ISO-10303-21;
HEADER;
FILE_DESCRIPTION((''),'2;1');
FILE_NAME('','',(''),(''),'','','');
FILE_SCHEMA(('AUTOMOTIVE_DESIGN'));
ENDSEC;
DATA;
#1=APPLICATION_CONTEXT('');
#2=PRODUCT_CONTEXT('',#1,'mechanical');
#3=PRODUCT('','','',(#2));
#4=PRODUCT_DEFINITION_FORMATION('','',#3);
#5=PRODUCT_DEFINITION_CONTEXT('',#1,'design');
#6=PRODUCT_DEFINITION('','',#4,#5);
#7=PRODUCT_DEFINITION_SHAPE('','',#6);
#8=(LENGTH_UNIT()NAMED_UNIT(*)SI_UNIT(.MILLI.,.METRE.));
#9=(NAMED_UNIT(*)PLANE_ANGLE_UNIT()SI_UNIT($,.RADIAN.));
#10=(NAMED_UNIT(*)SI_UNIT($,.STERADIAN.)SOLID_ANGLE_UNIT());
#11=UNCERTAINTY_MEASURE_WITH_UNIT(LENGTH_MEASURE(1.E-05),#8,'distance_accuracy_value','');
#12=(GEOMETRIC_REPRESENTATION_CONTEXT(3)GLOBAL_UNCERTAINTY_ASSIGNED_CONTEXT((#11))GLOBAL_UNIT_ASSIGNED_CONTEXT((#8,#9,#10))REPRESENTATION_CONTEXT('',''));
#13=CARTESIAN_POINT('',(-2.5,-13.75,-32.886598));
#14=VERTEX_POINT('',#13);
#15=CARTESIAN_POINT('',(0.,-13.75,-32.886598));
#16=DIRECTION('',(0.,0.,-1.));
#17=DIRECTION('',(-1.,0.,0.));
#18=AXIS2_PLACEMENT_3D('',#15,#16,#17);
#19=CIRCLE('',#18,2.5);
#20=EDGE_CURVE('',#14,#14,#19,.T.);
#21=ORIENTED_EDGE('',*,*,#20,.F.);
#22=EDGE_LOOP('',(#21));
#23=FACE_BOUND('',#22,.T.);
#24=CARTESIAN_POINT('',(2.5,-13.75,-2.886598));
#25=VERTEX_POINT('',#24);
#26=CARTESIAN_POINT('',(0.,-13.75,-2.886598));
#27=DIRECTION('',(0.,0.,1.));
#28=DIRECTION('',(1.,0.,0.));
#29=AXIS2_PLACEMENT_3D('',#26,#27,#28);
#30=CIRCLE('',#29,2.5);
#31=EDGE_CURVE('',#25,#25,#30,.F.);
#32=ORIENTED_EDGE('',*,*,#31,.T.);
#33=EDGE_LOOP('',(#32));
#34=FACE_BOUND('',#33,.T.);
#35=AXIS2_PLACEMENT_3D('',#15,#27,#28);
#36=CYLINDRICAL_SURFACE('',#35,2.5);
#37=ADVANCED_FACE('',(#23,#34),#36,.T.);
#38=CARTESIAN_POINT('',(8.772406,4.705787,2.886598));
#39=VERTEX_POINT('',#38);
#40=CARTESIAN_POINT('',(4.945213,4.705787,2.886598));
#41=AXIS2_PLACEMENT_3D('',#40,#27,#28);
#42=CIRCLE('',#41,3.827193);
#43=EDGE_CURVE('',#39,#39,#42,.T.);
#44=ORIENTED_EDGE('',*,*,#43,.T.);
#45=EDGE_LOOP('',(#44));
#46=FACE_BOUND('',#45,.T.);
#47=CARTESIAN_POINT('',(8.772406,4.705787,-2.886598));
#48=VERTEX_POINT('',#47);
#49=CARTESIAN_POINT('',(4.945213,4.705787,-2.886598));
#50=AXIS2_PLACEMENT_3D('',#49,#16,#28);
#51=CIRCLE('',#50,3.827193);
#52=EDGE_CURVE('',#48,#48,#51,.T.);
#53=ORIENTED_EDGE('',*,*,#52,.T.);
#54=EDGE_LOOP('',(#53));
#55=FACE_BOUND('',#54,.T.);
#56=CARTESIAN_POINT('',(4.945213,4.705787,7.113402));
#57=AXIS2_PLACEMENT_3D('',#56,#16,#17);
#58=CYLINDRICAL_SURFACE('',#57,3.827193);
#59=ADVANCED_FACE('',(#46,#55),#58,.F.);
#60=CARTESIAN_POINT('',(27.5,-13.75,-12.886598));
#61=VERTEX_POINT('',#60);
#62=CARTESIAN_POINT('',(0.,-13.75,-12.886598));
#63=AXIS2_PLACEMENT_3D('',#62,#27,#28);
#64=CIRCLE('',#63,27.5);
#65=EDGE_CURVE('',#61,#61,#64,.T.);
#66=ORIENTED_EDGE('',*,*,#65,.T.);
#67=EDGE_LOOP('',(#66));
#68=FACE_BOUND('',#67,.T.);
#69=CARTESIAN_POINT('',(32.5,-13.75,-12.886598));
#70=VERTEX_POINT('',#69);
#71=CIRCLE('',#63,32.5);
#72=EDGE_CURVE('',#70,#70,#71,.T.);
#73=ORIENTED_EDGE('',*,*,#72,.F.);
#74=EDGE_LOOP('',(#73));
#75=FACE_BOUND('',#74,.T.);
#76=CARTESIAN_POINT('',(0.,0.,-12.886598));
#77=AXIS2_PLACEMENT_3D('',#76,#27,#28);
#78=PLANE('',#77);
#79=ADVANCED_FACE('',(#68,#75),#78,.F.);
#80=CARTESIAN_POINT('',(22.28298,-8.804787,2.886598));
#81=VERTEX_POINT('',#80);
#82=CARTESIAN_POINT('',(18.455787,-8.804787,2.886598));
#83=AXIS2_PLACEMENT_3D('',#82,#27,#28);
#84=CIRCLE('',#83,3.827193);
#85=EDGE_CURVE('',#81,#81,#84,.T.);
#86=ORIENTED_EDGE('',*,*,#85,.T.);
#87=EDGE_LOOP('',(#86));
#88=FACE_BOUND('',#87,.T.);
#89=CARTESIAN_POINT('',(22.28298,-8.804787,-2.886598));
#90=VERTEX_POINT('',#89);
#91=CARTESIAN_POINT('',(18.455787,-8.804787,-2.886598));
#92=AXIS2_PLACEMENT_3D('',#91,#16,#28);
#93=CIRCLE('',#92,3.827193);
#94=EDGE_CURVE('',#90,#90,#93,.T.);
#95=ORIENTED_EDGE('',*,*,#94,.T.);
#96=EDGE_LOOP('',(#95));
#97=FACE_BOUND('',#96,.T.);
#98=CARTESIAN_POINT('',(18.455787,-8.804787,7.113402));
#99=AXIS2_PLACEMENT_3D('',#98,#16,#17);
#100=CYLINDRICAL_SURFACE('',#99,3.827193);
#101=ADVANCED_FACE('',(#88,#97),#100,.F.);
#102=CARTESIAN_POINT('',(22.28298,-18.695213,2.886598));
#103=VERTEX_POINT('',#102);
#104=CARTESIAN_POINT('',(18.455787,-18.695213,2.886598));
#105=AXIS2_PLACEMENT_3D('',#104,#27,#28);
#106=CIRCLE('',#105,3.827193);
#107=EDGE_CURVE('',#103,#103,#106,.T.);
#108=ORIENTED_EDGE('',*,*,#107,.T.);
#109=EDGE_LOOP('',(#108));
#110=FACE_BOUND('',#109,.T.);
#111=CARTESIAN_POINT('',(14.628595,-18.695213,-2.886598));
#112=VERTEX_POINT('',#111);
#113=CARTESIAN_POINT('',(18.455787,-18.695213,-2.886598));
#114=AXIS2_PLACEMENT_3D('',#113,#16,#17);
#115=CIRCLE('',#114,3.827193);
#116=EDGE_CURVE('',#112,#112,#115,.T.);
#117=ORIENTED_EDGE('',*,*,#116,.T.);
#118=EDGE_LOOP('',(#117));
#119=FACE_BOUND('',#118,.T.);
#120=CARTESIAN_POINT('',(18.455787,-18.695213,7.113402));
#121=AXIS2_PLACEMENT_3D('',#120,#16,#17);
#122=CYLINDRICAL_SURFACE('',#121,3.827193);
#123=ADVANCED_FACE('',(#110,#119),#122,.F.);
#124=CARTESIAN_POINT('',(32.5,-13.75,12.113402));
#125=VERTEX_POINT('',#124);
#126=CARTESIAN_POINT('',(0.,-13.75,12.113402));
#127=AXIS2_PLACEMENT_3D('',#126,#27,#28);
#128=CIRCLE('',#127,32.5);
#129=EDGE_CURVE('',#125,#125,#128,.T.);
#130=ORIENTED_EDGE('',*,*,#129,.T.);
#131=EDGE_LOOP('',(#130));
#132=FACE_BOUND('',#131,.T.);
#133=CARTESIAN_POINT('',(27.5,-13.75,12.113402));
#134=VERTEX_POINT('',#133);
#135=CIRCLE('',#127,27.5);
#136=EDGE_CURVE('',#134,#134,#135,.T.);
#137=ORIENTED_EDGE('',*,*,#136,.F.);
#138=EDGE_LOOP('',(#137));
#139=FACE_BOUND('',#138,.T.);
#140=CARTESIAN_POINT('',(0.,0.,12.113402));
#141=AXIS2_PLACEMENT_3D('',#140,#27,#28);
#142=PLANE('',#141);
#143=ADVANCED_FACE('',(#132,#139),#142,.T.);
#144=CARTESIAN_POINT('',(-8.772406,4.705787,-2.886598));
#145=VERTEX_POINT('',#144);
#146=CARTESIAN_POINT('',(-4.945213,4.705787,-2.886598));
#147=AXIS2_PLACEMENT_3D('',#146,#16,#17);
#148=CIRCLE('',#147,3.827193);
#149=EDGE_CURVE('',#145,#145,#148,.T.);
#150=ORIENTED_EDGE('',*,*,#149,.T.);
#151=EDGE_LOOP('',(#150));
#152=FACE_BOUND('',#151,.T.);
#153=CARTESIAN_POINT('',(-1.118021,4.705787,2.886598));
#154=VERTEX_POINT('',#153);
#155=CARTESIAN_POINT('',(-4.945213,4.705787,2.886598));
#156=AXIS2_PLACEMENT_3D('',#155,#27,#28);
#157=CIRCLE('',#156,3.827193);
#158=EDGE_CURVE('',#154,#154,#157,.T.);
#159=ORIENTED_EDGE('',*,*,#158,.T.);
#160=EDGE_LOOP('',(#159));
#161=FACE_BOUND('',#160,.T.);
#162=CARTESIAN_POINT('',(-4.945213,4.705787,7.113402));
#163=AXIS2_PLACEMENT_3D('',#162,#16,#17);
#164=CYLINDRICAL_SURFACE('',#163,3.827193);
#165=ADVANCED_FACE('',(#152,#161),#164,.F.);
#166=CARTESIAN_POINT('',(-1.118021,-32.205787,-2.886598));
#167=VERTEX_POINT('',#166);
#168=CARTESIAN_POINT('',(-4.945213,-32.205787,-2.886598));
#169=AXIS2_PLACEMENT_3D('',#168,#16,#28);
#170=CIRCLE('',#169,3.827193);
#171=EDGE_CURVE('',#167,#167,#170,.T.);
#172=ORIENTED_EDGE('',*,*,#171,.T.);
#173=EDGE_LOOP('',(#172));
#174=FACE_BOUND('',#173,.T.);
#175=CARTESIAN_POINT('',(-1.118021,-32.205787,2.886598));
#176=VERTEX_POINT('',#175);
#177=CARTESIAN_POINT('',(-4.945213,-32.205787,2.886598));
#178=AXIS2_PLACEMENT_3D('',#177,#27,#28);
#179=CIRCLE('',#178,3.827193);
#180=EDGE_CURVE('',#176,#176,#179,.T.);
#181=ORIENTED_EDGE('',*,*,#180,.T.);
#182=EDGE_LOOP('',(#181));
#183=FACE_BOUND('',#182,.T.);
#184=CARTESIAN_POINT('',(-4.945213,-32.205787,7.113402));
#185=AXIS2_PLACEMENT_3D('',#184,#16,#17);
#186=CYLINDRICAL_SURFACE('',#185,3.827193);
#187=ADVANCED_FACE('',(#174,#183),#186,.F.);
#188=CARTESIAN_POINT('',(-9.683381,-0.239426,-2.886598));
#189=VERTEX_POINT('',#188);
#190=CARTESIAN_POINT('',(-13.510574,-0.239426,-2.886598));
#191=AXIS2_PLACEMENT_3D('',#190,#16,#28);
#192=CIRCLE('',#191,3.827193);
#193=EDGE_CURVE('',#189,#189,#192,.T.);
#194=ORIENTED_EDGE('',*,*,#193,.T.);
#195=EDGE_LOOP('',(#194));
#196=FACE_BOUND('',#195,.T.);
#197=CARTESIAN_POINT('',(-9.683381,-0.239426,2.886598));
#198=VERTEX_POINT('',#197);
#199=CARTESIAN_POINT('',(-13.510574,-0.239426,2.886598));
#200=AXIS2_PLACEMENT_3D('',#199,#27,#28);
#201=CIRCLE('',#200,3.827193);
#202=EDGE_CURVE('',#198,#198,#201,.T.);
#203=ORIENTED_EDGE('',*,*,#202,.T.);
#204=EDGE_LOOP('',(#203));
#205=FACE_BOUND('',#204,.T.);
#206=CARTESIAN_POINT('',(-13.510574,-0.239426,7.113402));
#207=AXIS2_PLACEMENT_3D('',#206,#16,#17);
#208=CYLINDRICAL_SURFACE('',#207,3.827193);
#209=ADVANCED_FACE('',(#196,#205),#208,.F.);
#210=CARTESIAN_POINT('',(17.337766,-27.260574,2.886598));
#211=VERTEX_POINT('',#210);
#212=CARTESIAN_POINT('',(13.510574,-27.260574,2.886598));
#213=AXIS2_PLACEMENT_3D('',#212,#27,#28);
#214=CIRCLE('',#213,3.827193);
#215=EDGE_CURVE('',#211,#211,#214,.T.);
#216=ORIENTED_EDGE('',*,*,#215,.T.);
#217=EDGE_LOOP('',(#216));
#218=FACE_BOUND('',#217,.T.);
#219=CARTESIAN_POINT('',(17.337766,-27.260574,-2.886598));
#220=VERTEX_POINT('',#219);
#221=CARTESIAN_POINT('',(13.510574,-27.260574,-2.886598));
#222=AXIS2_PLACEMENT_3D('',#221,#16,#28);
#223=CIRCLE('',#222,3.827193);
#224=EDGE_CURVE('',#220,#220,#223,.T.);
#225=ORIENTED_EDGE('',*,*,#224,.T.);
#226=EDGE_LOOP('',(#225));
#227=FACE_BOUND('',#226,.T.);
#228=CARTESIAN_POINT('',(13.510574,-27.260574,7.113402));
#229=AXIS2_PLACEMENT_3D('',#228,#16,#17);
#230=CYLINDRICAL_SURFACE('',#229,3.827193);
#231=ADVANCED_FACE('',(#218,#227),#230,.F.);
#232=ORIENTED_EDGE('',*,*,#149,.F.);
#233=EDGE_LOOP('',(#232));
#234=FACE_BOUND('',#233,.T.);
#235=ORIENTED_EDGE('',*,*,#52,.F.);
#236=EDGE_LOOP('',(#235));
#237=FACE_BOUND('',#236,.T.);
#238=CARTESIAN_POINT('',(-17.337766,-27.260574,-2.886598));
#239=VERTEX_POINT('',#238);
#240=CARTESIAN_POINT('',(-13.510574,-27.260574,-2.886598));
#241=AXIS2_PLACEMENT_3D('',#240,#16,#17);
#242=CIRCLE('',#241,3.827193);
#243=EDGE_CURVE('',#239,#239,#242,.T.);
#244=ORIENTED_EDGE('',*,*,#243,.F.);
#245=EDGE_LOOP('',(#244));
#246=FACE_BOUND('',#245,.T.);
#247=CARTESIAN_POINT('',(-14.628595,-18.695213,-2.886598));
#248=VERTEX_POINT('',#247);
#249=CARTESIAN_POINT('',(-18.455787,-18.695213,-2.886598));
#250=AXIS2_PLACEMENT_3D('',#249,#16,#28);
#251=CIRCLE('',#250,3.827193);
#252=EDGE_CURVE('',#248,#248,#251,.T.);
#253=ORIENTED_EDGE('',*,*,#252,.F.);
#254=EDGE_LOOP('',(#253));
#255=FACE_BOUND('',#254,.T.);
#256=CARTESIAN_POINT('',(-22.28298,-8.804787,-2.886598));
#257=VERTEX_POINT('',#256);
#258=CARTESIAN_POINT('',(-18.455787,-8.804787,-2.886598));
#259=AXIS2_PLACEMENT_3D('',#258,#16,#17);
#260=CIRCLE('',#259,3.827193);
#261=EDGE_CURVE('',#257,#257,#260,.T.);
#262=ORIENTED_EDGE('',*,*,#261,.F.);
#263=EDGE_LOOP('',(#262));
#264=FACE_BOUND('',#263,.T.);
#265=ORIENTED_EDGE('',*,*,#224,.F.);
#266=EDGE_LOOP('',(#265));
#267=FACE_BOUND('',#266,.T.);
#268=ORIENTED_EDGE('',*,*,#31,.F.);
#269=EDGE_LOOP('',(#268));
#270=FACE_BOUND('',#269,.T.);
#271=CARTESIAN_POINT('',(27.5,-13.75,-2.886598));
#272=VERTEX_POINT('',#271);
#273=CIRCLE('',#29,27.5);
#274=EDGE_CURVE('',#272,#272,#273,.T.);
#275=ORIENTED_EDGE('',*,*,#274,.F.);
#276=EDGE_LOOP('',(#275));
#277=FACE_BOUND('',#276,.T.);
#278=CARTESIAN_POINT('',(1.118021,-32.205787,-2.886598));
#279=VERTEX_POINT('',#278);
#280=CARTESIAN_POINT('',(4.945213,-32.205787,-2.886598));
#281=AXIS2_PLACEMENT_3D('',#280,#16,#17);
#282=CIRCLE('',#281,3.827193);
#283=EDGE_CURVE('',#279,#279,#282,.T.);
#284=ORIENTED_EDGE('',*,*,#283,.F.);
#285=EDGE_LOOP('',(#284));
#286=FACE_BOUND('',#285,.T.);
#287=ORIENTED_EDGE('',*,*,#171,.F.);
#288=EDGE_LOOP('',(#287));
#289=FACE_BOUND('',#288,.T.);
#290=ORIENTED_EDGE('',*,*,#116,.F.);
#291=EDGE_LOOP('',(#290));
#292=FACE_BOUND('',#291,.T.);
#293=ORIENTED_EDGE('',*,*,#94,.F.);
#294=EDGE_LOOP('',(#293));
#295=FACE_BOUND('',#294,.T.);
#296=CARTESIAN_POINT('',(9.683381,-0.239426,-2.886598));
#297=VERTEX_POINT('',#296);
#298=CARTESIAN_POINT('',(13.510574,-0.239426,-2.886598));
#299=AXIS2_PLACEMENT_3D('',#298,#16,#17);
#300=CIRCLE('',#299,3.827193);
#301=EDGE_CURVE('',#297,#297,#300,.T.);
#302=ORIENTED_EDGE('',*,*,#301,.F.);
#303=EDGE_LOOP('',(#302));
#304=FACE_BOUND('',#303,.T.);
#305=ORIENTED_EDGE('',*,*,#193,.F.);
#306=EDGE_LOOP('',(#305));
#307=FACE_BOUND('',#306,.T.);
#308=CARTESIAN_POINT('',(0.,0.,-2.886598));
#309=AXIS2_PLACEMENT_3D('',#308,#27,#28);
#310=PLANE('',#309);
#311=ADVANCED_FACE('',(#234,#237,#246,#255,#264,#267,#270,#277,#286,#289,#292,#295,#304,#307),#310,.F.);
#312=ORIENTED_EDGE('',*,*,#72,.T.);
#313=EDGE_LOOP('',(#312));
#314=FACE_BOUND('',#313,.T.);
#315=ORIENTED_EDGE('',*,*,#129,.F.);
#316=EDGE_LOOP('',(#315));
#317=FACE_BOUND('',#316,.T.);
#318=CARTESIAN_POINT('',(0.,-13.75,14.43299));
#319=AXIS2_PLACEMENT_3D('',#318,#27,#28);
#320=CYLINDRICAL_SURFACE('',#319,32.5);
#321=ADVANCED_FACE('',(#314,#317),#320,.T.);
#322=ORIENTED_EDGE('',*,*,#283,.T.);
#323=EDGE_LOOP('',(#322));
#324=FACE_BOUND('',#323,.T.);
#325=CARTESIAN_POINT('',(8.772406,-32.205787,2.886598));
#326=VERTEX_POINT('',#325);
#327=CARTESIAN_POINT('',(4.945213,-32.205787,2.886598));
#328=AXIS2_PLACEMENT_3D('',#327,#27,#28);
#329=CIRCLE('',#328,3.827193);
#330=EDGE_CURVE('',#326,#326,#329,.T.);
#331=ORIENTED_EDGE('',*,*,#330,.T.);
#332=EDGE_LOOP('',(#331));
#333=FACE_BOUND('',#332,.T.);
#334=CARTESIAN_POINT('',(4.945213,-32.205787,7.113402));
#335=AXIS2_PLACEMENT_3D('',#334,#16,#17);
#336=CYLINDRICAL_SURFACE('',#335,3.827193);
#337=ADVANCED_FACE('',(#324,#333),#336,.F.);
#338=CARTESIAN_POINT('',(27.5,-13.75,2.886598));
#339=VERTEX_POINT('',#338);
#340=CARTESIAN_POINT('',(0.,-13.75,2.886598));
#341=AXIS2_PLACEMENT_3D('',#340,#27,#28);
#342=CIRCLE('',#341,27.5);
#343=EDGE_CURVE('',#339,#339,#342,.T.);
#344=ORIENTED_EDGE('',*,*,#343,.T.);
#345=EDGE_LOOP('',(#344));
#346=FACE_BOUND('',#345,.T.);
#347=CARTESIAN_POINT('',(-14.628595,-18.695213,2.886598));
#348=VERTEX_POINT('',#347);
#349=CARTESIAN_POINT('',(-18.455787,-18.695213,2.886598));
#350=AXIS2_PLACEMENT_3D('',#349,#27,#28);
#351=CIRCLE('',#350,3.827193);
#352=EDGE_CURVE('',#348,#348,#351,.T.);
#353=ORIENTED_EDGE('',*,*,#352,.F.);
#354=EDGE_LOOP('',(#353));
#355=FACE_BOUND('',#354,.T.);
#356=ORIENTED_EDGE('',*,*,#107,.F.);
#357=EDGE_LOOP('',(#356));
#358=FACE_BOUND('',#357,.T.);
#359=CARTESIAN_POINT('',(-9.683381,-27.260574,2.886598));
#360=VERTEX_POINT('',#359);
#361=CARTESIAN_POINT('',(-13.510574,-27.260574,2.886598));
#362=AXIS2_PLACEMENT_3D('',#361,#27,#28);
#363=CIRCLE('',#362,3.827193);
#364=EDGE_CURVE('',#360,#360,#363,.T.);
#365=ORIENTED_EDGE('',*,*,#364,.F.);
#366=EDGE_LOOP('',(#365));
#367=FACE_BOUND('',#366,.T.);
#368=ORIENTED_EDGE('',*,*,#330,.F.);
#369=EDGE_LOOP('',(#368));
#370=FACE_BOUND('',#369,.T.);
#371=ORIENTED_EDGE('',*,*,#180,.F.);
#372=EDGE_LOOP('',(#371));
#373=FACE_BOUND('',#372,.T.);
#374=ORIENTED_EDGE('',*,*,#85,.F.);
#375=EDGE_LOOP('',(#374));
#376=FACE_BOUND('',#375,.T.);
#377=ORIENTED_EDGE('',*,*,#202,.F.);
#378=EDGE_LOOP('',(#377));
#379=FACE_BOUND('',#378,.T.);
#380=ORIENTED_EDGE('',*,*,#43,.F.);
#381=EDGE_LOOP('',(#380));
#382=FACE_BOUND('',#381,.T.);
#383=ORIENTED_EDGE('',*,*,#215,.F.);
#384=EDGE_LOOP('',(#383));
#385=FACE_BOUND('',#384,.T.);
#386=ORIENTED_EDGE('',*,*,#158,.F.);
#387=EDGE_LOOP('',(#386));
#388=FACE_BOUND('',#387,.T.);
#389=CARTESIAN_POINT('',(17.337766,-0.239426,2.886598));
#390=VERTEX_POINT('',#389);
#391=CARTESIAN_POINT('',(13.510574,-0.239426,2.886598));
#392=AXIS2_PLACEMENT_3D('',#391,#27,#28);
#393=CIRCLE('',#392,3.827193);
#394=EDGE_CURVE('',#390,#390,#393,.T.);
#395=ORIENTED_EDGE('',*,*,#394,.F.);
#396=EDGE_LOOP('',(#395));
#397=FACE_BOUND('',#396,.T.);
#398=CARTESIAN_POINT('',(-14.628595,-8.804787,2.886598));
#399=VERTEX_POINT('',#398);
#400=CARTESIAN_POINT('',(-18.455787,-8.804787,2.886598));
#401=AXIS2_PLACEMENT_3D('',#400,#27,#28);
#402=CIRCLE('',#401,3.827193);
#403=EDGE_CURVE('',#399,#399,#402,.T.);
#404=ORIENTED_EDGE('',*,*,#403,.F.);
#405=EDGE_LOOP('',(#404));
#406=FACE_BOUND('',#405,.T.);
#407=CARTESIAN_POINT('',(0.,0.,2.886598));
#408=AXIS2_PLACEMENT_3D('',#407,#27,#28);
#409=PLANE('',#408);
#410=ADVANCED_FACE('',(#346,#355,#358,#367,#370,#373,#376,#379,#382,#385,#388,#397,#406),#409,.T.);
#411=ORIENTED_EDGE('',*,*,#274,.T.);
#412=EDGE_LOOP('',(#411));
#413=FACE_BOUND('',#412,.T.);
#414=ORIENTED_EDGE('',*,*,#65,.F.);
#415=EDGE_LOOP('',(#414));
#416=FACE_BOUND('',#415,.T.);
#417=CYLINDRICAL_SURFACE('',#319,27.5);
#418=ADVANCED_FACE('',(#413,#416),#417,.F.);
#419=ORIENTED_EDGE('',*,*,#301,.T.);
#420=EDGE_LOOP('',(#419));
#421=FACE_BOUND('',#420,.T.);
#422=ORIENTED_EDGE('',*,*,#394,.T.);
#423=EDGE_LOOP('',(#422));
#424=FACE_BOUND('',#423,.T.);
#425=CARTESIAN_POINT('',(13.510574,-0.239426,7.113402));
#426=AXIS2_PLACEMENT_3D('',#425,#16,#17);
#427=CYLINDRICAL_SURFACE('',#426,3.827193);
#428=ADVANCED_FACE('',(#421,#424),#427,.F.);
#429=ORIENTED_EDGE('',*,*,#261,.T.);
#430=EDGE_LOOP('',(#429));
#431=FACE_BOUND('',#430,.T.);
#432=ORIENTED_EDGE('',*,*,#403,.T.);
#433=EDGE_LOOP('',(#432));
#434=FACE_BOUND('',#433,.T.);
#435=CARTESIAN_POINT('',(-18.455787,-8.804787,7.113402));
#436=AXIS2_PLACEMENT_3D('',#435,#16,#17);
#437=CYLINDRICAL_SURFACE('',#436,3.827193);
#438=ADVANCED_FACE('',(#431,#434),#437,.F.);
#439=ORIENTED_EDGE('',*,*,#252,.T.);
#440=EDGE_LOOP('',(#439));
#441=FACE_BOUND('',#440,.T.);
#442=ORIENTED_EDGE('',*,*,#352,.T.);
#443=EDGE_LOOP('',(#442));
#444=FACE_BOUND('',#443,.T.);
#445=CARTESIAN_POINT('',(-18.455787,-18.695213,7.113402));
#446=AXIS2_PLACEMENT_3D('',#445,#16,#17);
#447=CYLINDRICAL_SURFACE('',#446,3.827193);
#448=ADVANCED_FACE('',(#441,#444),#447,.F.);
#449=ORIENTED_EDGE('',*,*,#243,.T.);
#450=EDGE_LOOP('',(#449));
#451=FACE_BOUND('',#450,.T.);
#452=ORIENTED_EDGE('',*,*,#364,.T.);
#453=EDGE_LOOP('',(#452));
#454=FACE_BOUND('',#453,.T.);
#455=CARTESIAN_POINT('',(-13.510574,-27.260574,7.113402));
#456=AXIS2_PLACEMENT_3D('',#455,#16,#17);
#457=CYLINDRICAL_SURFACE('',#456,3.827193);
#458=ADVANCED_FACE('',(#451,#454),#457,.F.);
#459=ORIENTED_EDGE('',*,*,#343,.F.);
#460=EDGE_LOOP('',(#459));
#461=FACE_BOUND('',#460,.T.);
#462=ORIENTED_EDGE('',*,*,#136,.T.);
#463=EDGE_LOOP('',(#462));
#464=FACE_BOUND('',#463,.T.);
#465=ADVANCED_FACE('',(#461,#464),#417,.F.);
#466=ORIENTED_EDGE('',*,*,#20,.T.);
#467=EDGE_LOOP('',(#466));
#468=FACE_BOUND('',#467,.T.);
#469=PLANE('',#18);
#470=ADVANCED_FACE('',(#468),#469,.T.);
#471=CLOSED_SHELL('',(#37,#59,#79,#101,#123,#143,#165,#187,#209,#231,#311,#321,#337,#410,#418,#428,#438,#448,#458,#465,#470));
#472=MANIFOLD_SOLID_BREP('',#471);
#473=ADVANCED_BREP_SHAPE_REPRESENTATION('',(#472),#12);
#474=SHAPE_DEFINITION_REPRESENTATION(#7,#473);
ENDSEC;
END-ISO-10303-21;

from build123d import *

# Parameters (mm, degrees)
SKETCH4_W           = 5.773195876
SKETCH4_H           = 27.5
SKETCH5_R           = 3.827192532
CUT_EXTRUDE1_DEPTH  = 10
SKETCH7_R           = 2.5
BOSS_EXTRUDE1_DEPTH = 30


with BuildPart() as part:
    # Sketch4 → Revolve3 (revolve)
    with BuildSketch(Plane(origin=(0, 0, 0), x_dir=(0, 0, -1), z_dir=(1, 0, 0)), mode=Mode.PRIVATE) as revolve3_sk:
        Polygon((-2.886597938, 13.75), (2.886597938, 13.75), (12.886597938, 13.75), (12.886597938, 18.75), (-12.113402062, 18.75), (-12.113402062, 13.75), align=None)
        Rectangle(SKETCH4_W, SKETCH4_H)
    revolve(revolve3_sk.sketch.rotate(Axis((0, -13.75, 14.432989691), (0, 0, -1)), 90), axis=Axis((0, -13.75, 14.432989691), (0, 0, -1)))

    # Sketch5 → Cut-Extrude1 (cut)
    with BuildSketch(Plane(origin=(0, 0, -2.886597938), x_dir=(-1, 0, 0), z_dir=(0, 0, -1))):
        with Locations((4.945213264, 4.705787154)):
            Circle(SKETCH5_R)
        with Locations(Location((13.51057389, -0.23942611, 0), (0, 0, 180))):
            Circle(SKETCH5_R)
        with Locations((18.455787154, -8.804786736)):
            Circle(SKETCH5_R)
        with Locations(Location((18.455787154, -18.695213264, 0), (0, 0, 180))):
            Circle(SKETCH5_R)
        with Locations((13.51057389, -27.26057389)):
            Circle(SKETCH5_R)
        with Locations(Location((4.945213264, -32.205787154, 0), (0, 0, 180))):
            Circle(SKETCH5_R)
        with Locations((-4.945213264, -32.205787154)):
            Circle(SKETCH5_R)
        with Locations(Location((-13.51057389, -27.26057389, 0), (0, 0, 180))):
            Circle(SKETCH5_R)
        with Locations((-18.455787154, -18.695213264)):
            Circle(SKETCH5_R)
        with Locations(Location((-18.455787154, -8.804786736, 0), (0, 0, 180))):
            Circle(SKETCH5_R)
        with Locations((-13.51057389, -0.23942611)):
            Circle(SKETCH5_R)
        with Locations(Location((-4.945213264, 4.705787154, 0), (0, 0, 180))):
            Circle(SKETCH5_R)
    extrude(amount=-CUT_EXTRUDE1_DEPTH, mode=Mode.SUBTRACT)

    # Sketch7 → Boss-Extrude1 (add)
    with BuildSketch(Plane(origin=(0, 0, -2.886597938), x_dir=(-1, 0, 0), z_dir=(0, 0, -1))):
        with Locations(Location((0, -13.75, 0), (0, 0, 180))):
            Circle(SKETCH7_R)
    extrude(amount=BOSS_EXTRUDE1_DEPTH)


solid = part.part
